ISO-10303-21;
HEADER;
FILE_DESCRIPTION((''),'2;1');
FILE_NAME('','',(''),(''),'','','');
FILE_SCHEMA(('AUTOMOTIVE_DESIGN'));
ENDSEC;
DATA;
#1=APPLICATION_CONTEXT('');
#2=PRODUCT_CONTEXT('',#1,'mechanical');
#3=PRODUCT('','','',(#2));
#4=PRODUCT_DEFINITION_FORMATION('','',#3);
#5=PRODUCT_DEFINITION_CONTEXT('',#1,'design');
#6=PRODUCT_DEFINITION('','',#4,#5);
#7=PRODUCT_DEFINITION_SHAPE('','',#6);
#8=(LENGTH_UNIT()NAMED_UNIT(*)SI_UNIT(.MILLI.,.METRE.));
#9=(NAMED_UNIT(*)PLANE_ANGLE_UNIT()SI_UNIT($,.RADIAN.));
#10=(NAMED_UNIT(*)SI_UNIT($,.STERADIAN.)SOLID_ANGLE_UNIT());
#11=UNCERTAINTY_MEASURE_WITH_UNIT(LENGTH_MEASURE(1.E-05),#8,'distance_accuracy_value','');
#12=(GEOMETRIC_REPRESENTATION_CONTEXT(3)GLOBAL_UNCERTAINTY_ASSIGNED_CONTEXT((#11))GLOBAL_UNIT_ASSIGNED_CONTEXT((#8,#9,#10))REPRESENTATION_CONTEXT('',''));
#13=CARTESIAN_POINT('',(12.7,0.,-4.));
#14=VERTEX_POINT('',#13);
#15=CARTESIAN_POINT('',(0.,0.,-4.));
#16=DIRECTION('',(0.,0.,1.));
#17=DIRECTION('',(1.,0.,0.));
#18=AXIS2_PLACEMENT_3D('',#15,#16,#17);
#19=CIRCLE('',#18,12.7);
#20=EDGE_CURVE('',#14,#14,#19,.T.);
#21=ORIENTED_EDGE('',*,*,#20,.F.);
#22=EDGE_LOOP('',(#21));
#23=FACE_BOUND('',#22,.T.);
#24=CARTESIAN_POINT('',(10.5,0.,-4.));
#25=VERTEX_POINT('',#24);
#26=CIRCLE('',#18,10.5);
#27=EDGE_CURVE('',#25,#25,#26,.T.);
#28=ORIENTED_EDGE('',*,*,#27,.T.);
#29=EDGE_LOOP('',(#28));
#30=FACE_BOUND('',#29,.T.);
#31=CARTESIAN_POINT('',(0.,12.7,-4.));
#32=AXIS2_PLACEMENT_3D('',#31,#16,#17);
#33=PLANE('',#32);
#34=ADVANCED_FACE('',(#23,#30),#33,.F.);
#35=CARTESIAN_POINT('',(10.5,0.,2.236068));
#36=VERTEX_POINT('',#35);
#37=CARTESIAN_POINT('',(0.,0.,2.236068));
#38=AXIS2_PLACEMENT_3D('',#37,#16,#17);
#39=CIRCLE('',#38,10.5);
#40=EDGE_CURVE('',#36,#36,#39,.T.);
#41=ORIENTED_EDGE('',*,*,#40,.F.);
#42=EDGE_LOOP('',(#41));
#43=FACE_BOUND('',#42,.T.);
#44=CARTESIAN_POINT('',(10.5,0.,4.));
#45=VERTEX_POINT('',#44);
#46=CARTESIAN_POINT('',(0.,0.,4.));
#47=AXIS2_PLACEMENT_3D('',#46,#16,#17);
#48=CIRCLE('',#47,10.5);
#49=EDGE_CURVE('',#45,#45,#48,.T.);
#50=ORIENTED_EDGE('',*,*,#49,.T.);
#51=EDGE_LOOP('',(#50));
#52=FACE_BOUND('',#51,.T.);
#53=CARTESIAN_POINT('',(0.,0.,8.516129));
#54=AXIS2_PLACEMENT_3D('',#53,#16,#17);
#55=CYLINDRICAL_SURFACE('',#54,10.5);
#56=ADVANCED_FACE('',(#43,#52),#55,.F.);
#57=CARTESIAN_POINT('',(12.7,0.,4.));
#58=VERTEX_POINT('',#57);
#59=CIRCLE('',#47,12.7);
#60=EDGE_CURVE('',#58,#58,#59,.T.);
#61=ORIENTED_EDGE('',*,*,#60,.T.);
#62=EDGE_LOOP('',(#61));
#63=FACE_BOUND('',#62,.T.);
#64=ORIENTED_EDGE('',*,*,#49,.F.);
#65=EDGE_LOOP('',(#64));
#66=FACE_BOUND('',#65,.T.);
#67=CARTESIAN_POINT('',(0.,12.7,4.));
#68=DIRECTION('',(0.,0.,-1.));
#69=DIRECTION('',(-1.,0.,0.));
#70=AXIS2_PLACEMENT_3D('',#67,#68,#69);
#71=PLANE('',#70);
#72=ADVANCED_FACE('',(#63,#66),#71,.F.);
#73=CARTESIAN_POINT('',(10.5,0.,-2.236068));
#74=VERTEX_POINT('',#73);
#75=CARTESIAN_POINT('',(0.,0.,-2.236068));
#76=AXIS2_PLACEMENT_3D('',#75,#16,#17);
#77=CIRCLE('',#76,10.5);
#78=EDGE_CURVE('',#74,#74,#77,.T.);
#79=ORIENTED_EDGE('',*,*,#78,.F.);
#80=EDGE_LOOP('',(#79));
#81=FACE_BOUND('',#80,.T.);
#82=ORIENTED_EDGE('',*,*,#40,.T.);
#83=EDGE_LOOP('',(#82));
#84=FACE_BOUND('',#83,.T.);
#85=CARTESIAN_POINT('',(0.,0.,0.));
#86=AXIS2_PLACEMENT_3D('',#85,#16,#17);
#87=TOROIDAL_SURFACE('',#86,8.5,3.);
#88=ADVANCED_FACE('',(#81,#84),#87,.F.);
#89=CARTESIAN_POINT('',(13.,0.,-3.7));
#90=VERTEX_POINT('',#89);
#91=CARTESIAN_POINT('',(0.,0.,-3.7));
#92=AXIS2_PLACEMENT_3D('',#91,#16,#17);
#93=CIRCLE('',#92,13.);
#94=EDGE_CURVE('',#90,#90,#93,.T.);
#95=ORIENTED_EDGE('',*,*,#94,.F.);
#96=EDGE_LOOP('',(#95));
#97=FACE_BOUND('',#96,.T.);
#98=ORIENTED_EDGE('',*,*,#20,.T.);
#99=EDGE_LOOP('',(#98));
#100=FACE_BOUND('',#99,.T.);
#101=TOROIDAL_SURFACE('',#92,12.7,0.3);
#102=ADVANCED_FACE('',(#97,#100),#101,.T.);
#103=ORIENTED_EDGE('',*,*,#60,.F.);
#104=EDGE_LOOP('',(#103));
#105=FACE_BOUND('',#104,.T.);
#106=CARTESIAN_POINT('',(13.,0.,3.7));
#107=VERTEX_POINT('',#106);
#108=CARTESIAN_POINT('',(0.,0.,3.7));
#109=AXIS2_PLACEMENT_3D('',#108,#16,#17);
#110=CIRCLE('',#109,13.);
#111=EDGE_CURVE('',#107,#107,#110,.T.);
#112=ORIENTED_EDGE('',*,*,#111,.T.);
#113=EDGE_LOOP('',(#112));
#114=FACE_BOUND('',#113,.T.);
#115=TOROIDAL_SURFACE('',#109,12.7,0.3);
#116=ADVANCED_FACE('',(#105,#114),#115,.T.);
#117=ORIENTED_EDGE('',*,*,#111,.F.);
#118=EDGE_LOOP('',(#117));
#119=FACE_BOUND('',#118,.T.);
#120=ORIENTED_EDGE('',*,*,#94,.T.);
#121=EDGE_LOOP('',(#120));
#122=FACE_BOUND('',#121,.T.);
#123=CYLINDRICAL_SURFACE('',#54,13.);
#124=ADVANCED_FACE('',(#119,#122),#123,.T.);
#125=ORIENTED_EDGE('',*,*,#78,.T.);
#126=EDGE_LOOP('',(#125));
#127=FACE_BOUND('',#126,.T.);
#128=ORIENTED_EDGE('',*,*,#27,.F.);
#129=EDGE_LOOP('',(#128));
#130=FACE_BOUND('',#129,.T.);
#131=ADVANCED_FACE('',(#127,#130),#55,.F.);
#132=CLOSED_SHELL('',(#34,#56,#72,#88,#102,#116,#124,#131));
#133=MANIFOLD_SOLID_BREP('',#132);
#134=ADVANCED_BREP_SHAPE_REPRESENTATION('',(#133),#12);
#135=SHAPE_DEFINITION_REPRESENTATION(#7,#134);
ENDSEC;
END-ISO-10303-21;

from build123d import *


with BuildPart() as part:
    # Sketch1 → Revolve1 (revolve)
    with BuildSketch(Plane(origin=(0, 0, 0), x_dir=(0, 0, -1), z_dir=(1, 0, 0)), mode=Mode.PRIVATE) as revolve1_sk:
        with BuildLine():
            Line((-3.7, 13), (3.7, 13))
            ThreePointArc((3.7, 13), (3.912132034, 12.912132034), (4, 12.7))
            Line((4, 12.7), (4, 10.5))
            Line((4, 10.5), (2.236067977, 10.5))
            ThreePointArc((2.236067977, 10.5), (0, 11.5), (-2.236067977, 10.5))
            Line((-2.236067977, 10.5), (-4, 10.5))
            Line((-4, 10.5), (-4, 12.7))
            ThreePointArc((-4, 12.7), (-3.912132034, 12.912132034), (-3.7, 13))
        make_face()
    revolve(revolve1_sk.sketch.rotate(Axis((0, 0, 8.516129032), (0, 0, -1)), 90), axis=Axis((0, 0, 8.516129032), (0, 0, -1)))


solid = part.part
